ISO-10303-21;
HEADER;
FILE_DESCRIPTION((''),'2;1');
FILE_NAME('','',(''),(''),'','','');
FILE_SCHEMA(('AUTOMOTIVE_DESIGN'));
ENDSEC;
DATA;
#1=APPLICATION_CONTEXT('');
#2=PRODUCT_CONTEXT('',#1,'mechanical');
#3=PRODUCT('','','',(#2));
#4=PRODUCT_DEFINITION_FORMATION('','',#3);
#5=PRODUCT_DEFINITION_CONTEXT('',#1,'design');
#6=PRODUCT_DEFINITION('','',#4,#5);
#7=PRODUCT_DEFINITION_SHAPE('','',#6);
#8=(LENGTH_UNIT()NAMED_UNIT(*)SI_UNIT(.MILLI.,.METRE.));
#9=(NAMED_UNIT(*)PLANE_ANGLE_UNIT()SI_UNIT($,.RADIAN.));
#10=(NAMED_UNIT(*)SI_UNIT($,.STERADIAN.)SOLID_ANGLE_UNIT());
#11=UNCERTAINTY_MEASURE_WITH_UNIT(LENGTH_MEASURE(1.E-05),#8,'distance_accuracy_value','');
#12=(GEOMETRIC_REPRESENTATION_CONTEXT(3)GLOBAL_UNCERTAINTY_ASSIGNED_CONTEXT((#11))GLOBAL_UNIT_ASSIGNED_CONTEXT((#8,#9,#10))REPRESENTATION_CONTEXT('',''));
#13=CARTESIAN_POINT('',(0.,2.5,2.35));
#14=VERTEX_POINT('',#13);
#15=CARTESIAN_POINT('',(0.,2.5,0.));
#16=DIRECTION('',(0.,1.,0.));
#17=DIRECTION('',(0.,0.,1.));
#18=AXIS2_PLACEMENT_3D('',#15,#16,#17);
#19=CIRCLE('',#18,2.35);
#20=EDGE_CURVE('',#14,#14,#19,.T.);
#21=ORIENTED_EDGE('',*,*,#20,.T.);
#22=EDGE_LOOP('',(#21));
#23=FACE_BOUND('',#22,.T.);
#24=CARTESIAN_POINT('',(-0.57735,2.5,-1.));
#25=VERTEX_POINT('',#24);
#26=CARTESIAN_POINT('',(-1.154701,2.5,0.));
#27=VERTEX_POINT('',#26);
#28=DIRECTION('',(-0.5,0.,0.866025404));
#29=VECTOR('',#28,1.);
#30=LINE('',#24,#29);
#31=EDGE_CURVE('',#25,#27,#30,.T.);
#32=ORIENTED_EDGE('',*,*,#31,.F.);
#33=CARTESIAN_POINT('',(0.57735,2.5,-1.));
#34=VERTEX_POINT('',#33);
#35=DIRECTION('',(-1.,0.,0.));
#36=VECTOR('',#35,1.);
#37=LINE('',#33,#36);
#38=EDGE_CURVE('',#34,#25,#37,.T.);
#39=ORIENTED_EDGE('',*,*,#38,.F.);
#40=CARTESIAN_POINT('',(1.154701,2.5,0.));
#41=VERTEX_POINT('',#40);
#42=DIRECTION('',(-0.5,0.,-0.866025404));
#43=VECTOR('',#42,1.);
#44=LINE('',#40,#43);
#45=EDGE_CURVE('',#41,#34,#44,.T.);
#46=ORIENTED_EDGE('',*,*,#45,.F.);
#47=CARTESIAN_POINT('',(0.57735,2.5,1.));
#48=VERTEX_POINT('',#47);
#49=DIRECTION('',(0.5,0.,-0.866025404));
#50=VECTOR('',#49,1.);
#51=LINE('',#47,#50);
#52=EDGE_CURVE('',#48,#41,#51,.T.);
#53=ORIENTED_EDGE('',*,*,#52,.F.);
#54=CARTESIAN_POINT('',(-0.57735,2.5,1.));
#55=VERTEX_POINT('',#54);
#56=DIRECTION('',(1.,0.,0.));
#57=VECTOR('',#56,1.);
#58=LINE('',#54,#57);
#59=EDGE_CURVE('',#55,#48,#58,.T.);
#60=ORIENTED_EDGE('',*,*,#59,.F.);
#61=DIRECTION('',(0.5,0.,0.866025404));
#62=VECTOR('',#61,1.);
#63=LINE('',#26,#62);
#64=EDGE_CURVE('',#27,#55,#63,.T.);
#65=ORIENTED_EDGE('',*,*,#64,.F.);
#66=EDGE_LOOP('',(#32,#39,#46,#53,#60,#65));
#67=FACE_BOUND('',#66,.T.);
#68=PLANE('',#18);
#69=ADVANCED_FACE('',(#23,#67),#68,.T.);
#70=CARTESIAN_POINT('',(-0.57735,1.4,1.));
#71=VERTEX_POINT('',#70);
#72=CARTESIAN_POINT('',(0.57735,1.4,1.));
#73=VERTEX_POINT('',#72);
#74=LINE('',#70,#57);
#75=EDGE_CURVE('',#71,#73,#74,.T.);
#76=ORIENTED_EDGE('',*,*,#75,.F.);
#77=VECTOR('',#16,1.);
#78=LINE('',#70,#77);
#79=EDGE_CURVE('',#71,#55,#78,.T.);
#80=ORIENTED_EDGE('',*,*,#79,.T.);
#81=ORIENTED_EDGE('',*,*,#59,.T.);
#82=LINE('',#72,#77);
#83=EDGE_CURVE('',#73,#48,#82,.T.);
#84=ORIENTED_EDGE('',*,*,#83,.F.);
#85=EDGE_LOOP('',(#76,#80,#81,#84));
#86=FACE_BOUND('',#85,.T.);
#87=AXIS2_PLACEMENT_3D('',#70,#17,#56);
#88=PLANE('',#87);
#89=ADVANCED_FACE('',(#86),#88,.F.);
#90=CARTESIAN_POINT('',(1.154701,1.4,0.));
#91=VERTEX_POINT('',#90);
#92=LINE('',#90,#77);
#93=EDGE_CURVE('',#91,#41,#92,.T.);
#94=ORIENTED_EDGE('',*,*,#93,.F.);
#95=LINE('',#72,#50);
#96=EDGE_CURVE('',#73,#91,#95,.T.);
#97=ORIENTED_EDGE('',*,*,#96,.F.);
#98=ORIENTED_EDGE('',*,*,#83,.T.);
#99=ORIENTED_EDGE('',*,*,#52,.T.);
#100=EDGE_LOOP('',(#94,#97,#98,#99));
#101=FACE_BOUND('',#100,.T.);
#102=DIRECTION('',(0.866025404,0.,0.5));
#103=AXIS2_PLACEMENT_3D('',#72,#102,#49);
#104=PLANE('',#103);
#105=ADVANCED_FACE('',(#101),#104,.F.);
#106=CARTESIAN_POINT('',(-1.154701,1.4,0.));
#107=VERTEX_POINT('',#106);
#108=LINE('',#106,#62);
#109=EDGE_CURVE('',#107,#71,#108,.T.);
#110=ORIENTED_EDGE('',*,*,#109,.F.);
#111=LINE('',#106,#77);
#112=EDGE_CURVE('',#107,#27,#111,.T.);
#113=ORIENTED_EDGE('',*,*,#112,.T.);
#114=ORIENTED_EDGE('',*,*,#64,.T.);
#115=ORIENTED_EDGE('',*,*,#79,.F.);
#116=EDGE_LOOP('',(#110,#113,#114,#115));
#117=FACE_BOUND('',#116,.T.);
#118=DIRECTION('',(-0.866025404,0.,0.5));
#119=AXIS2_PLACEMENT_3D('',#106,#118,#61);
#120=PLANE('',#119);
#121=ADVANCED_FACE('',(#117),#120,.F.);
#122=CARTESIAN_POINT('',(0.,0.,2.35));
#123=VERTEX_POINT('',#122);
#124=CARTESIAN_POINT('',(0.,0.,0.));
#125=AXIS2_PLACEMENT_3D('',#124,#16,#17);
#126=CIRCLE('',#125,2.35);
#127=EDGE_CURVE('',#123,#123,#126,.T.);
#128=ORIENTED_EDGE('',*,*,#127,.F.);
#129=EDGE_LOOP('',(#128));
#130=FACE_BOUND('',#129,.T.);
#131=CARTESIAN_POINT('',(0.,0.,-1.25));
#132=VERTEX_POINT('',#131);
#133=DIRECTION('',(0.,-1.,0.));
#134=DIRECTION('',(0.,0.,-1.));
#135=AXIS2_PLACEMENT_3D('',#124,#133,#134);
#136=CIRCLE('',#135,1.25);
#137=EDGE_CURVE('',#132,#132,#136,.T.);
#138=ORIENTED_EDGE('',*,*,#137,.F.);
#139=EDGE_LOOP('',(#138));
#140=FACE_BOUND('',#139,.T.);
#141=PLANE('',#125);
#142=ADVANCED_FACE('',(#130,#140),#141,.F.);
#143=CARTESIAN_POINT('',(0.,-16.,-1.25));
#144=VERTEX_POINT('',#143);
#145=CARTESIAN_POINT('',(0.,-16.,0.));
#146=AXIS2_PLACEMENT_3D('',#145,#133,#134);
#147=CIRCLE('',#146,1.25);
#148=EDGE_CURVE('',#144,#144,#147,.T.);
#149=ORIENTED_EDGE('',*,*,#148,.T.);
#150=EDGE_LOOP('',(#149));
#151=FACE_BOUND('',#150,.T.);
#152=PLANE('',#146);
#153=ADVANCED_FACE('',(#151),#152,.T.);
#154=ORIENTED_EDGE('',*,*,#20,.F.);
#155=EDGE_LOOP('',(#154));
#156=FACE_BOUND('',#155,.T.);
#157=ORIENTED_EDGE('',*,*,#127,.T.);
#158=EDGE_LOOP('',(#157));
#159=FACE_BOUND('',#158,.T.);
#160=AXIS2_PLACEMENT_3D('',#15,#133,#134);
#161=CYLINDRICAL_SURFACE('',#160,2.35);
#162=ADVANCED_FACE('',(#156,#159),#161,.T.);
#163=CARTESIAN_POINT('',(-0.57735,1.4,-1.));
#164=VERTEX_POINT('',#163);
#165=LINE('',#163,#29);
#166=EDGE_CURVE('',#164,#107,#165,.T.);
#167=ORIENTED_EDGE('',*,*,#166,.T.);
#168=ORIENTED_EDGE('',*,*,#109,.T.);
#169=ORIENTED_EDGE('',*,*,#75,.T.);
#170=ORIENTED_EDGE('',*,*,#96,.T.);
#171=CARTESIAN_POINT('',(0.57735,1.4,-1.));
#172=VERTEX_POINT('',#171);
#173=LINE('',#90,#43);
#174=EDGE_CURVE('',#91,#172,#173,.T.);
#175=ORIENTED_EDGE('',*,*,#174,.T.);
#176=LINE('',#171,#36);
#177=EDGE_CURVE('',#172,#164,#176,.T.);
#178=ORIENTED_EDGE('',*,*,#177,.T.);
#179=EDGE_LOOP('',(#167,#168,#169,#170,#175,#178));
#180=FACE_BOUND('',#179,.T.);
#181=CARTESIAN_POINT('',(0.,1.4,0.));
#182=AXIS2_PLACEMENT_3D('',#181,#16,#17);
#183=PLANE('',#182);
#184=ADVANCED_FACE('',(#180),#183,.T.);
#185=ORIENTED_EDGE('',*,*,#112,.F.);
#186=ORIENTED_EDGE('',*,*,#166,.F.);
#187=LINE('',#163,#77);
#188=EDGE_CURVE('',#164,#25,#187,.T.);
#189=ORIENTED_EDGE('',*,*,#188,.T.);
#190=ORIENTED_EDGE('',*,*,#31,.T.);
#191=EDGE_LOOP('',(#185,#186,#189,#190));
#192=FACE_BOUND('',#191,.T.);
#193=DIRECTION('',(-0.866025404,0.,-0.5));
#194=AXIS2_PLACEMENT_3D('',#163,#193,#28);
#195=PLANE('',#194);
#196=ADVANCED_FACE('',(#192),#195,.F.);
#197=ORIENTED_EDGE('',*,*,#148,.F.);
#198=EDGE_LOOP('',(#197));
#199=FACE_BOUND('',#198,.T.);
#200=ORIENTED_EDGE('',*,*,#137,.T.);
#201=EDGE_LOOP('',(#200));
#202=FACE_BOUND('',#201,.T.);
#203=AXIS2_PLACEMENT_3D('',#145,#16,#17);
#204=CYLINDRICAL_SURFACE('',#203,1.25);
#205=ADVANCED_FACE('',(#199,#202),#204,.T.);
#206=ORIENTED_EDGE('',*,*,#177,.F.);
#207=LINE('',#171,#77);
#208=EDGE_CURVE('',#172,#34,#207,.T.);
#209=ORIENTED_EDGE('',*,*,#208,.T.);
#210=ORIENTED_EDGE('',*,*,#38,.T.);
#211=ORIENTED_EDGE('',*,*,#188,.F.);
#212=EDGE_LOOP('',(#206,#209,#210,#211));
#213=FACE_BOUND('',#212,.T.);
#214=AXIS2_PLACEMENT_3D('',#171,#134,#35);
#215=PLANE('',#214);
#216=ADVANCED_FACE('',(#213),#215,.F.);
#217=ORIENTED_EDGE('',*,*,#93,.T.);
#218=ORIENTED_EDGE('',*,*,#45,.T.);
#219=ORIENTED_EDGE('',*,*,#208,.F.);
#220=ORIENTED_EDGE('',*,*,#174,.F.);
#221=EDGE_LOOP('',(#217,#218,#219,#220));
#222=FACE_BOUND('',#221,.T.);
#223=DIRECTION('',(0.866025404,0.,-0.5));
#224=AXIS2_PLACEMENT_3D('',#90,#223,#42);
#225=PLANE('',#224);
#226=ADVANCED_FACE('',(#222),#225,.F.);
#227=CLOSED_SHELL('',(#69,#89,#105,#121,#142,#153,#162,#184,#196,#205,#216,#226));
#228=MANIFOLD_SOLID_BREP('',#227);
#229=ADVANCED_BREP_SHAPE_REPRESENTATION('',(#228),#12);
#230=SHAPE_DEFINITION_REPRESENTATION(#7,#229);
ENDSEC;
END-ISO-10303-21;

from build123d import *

# Parameters (mm, degrees)
SKETCH_1_R            = 2.35
EXTRUDE_248_DEPTH     = 2.5
CUT_EXTRUDE_382_DEPTH = 1.1
SKETCH_3_R            = 1.25
EXTRUDE_487_DEPTH     = 16


with BuildPart() as part:
    # 草图1 → Extrude 248 (new body)
    with BuildSketch(Plane(origin=(0, 0, 0), x_dir=(1, 0, 0), z_dir=(0, 1, 0))):
        Circle(SKETCH_1_R)
    extrude(amount=EXTRUDE_248_DEPTH)

    # 草图2 → Cut-Extrude 382 (cut)
    with BuildSketch(Plane(origin=(0, 2.5, 0), x_dir=(1, 0, 0), z_dir=(0, 1, 0))):
        Polygon((1.154700538, 0), (0.577350269, 1), (-0.577350269, 1), (-1.154700538, 0), (-0.577350269, -1), (0.577350269, -1), align=None)
    extrude(amount=-CUT_EXTRUDE_382_DEPTH, mode=Mode.SUBTRACT)

    # 草图3 → Extrude 487 (add)
    with BuildSketch(Plane.XZ):
        Circle(SKETCH_3_R)
    extrude(amount=EXTRUDE_487_DEPTH)


solid = part.part
